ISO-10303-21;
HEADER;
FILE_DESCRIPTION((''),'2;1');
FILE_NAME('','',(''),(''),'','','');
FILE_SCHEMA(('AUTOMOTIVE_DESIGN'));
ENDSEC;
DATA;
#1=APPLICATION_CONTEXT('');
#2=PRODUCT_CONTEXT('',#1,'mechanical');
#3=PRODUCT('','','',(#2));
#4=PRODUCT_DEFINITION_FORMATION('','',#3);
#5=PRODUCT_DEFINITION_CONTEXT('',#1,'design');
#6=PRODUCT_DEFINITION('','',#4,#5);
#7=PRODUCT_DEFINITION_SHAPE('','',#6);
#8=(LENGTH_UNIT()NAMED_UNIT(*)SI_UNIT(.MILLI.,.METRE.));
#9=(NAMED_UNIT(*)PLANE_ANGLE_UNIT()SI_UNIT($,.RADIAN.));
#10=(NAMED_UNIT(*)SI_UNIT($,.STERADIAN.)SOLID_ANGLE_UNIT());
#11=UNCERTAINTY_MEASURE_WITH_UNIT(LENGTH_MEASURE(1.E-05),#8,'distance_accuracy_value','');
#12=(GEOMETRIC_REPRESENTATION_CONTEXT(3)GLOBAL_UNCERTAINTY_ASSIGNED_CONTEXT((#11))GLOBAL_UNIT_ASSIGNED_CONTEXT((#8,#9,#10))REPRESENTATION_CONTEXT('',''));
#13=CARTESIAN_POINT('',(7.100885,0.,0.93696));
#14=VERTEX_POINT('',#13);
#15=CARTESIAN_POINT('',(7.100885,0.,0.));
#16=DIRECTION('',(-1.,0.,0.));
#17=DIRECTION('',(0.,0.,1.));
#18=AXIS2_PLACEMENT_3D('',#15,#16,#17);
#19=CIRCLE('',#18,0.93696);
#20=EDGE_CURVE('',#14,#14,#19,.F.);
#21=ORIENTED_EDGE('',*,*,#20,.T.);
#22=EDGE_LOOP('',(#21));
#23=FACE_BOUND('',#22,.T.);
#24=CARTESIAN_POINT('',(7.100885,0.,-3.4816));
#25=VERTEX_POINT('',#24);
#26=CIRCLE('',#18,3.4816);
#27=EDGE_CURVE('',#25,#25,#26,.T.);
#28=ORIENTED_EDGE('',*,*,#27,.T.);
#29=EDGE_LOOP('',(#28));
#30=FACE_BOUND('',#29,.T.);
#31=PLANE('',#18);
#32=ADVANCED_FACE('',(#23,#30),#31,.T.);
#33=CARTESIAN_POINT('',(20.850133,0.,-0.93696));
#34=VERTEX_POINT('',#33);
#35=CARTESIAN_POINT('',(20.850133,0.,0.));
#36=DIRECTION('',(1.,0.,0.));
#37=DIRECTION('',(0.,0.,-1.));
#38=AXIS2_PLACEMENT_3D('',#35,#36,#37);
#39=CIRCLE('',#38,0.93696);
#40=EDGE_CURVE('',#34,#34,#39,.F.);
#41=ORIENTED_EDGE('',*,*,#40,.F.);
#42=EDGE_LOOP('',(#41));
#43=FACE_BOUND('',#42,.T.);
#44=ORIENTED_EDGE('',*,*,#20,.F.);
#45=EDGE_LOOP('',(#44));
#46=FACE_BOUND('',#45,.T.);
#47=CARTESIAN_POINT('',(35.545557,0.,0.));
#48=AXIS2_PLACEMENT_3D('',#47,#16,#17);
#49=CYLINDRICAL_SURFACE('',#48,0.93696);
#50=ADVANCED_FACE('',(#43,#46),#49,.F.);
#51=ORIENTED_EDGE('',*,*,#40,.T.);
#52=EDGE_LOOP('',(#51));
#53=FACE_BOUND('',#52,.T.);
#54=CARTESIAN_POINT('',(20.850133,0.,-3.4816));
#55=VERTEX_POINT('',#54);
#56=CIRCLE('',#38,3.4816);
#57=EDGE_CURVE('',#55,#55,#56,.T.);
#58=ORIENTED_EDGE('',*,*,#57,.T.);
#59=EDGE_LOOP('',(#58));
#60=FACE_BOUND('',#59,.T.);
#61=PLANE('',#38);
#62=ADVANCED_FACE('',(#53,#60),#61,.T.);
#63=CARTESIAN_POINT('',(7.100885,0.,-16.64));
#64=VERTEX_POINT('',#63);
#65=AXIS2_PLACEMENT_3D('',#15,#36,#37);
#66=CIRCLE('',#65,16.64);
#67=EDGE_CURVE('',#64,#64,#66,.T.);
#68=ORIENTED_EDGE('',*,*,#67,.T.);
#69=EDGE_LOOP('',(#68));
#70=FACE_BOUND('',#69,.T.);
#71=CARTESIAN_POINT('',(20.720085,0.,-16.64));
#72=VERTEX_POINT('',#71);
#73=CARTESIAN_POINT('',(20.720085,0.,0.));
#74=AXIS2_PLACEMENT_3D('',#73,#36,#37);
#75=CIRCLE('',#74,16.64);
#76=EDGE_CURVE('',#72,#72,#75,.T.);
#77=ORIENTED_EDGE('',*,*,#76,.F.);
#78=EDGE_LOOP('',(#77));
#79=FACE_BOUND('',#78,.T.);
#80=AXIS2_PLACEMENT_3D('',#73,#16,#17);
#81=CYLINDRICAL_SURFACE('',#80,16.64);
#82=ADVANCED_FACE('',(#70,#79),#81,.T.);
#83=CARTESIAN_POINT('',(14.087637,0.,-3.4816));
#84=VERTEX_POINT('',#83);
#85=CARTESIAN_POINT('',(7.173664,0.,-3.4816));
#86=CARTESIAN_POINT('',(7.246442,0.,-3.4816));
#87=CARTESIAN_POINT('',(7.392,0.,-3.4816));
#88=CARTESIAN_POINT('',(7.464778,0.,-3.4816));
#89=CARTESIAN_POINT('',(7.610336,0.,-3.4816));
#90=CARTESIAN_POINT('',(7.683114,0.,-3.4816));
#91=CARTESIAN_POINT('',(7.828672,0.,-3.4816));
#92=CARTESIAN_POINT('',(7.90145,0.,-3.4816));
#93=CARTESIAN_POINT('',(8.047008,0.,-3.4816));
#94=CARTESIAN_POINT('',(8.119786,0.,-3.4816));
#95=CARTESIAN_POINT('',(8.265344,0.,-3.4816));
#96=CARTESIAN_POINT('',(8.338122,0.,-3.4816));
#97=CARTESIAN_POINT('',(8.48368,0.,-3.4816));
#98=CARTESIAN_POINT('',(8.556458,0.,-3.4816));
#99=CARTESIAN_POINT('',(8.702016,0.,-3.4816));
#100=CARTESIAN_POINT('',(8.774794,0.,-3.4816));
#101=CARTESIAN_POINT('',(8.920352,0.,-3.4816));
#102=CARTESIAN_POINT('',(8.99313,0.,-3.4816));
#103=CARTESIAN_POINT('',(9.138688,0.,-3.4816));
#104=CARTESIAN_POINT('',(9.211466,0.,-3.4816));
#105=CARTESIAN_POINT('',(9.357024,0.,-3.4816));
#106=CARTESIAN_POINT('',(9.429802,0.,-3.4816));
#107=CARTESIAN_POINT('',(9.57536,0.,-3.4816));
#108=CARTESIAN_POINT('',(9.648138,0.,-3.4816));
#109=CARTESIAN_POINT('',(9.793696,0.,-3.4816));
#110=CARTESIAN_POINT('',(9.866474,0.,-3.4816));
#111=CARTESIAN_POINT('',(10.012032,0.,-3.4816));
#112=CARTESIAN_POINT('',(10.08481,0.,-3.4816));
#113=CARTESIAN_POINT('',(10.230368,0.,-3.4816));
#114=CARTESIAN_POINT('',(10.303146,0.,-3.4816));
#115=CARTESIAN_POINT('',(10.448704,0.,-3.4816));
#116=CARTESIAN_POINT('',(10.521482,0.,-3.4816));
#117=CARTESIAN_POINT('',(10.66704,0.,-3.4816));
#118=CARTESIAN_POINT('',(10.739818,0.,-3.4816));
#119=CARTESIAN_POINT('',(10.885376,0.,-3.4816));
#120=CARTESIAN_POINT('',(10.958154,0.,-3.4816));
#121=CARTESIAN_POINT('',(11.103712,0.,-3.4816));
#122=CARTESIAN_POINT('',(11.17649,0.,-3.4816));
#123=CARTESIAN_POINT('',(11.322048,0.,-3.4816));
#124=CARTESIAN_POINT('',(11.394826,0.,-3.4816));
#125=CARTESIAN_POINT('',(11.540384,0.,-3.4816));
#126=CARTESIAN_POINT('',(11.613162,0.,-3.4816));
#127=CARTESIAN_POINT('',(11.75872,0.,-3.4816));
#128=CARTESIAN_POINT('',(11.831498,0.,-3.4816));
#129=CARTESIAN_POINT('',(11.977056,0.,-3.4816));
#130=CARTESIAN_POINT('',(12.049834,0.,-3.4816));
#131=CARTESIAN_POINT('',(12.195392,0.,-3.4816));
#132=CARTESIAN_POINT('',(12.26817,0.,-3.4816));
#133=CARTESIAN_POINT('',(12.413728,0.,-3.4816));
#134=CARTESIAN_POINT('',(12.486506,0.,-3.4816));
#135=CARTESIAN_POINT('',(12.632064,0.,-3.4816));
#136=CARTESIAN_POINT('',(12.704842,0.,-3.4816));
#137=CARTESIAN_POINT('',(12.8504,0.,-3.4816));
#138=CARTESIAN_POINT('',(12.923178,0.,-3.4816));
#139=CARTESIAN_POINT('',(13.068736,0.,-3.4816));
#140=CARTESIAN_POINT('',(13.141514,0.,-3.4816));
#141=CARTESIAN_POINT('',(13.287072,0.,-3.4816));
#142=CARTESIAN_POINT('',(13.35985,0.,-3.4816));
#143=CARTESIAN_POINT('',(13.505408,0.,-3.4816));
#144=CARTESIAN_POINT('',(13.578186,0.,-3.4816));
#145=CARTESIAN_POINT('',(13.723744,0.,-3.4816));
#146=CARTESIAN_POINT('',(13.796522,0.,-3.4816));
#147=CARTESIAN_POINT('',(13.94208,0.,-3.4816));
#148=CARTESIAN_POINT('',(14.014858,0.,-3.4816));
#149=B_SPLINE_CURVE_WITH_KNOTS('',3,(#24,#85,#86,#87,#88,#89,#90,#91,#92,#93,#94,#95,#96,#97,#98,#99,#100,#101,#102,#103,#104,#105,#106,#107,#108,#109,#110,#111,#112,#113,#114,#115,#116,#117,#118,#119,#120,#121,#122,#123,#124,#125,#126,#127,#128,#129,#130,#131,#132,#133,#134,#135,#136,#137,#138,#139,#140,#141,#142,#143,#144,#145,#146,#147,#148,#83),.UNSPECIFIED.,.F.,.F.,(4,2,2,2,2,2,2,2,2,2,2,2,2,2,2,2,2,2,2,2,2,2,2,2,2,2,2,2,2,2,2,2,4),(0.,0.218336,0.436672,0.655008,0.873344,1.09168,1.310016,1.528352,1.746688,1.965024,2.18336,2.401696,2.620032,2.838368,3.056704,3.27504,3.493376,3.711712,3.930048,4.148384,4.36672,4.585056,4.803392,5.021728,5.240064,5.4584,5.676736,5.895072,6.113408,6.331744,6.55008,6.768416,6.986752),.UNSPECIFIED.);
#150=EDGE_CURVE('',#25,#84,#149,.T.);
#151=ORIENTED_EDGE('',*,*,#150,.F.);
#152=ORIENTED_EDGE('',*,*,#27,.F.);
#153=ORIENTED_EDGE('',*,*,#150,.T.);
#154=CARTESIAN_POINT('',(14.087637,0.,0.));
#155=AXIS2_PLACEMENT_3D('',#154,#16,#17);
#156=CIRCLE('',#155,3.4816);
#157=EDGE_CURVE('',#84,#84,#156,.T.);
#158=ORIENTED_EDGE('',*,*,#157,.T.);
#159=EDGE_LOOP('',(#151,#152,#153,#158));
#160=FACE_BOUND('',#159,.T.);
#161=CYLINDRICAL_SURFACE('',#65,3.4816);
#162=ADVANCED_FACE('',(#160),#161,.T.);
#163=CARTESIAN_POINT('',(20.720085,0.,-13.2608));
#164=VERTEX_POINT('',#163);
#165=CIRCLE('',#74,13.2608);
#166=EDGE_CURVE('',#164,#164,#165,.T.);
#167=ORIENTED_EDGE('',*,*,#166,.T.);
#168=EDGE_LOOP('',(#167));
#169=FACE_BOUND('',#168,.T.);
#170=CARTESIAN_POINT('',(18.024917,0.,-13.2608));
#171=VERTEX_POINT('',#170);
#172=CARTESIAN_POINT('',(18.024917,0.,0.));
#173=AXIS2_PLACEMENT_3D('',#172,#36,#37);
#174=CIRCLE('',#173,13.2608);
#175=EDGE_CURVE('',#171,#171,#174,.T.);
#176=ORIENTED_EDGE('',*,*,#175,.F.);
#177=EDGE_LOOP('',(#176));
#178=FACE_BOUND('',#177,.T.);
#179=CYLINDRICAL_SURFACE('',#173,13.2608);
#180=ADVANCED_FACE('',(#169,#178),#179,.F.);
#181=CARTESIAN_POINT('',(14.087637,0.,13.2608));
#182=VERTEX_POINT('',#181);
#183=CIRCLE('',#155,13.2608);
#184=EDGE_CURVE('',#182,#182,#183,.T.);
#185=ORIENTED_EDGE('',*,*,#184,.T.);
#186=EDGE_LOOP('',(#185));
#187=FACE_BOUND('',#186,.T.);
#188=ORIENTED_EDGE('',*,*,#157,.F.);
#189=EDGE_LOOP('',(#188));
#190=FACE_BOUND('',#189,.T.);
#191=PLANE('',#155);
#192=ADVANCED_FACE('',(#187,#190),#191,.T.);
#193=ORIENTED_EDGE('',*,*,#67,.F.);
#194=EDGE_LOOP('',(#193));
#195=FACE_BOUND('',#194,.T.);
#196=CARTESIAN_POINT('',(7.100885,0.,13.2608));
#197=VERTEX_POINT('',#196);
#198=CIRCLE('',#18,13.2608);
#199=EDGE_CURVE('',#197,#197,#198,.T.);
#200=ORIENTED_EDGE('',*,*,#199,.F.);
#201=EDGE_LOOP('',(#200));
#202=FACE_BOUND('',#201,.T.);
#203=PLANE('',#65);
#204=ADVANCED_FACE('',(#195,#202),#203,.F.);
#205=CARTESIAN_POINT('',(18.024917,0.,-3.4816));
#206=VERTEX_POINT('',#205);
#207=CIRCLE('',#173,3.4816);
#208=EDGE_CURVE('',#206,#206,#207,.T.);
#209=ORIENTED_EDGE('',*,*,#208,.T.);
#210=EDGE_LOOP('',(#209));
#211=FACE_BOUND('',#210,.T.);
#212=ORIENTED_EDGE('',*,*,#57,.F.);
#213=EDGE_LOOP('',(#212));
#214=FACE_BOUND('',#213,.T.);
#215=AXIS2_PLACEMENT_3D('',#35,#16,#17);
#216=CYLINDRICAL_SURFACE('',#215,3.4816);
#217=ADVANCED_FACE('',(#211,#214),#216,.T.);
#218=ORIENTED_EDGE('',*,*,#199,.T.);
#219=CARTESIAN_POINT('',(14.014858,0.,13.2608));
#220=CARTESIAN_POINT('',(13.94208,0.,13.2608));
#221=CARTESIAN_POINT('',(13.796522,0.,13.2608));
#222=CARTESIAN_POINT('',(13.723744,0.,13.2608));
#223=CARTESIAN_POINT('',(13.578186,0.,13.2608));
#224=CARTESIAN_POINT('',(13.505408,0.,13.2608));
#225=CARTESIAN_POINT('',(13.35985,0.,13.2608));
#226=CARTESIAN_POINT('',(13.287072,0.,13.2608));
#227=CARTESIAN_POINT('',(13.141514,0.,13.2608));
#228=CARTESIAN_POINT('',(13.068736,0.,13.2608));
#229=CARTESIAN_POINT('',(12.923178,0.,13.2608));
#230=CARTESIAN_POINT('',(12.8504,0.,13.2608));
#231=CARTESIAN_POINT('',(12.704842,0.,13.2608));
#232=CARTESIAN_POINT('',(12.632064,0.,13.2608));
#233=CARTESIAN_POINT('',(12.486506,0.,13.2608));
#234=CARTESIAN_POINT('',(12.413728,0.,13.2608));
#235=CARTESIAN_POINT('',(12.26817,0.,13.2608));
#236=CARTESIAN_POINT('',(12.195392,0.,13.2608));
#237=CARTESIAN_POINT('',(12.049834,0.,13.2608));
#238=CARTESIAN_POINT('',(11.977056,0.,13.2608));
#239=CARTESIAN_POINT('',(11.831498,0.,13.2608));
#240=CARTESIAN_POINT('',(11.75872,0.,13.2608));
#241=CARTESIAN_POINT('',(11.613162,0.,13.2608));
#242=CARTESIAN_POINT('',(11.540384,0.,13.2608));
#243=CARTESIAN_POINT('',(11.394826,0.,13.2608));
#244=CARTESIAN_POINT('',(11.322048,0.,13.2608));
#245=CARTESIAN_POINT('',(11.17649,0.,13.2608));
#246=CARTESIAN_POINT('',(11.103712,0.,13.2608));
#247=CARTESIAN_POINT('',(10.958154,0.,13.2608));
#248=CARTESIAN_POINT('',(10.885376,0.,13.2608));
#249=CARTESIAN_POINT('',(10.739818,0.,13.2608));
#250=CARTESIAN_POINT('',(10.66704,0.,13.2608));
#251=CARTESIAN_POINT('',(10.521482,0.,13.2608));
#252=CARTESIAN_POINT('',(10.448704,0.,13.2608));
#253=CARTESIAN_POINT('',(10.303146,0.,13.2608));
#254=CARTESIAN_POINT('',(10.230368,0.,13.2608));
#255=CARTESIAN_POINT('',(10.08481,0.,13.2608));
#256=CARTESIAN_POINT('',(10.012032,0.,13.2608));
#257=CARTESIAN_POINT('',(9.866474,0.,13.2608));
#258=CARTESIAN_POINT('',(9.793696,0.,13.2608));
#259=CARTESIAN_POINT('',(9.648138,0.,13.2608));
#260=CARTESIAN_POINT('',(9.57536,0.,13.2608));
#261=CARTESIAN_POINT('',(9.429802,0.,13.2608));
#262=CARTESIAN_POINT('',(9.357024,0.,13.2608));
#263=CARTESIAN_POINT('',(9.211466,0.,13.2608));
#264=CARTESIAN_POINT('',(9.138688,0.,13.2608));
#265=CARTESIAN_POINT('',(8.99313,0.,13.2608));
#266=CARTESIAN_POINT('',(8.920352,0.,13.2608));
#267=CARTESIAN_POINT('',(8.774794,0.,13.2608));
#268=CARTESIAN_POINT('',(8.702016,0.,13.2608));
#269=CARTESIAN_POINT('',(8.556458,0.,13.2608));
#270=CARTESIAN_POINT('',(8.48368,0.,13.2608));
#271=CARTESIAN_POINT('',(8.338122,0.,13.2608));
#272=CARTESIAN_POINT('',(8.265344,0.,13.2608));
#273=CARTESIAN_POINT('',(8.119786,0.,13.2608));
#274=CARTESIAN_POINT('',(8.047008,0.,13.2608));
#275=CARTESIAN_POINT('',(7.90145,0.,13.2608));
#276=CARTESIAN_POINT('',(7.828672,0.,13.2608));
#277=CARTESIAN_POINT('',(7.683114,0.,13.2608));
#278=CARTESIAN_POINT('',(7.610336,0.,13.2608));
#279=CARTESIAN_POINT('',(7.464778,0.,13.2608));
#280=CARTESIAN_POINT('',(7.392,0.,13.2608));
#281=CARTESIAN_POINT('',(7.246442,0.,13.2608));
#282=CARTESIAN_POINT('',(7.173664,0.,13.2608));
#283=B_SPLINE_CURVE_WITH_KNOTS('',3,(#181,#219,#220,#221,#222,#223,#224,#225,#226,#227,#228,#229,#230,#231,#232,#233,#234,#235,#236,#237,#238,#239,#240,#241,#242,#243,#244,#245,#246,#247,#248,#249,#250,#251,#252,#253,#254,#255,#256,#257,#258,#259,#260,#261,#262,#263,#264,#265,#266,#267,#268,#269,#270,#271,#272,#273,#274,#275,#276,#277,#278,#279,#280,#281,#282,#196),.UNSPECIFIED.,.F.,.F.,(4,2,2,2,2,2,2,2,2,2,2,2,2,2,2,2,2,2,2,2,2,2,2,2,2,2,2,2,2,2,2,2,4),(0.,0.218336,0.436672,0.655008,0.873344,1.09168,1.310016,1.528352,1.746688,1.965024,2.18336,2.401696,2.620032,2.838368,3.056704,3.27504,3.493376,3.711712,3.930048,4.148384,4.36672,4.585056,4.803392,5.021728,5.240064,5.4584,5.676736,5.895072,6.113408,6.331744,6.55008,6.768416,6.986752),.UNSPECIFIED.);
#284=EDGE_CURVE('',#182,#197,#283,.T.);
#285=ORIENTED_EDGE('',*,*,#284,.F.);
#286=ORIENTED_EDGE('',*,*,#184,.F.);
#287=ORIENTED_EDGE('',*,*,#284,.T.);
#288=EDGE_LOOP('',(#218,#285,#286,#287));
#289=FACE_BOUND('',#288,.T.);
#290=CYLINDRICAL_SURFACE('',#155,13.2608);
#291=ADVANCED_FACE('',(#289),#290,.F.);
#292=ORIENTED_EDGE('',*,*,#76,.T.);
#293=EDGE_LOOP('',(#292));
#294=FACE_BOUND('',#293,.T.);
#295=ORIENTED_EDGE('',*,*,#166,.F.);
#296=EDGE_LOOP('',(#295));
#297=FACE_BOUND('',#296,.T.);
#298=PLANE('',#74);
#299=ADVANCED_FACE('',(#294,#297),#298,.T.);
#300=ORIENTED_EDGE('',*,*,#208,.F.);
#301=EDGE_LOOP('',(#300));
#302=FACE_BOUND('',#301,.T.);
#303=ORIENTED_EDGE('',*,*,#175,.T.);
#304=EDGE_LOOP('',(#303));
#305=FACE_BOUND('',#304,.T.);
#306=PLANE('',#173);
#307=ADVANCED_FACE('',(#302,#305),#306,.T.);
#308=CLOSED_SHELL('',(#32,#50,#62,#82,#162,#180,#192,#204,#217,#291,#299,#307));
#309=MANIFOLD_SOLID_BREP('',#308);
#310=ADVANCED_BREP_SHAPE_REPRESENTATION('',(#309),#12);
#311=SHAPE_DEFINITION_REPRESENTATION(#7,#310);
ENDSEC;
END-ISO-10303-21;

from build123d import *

# Parameters (mm, degrees)
SKETCH2_R               = 32.5
BOSS_EXTRUDE1_DEPTH     = 26.6
SKETCH3_R               = 25.9
CUT_EXTRUDE2_DEPTH      = 5.264
CUT_EXTRUDE3_START      = -13.646
SKETCH4_R               = 25.9
CUT_EXTRUDE3_DEPTH      = 13.646
SKETCH5_R               = 6.8
BOSS_EXTRUDE2_DEPTH     = 13.646
BOSS_EXTRUDE3_START     = 5.518
SKETCH6_R               = 6.8
BOSS_EXTRUDE3_DEPTH     = 5.518
CUT_EXTRUDE4_DEPTH      = 28.702
CUT_EXTRUDE4_DEPTH_BACK = 38.03
SKETCH7_R               = 1.83
SCALE1_SCALE            = 0.8
SCALE2_SCALE            = 0.8
SCALE3_SCALE            = 0.8


with BuildPart() as part:
    # Sketch2 → Boss-Extrude1 (new body)
    with BuildSketch(Plane(origin=(0, 0, 0), x_dir=(0, 0, -1), z_dir=(1, 0, 0))):
        Circle(SKETCH2_R)
    extrude(amount=BOSS_EXTRUDE1_DEPTH)

    # Sketch3 → Cut-Extrude2 (cut)
    with BuildSketch(Plane(origin=(26.6, 0, 0), x_dir=(0, 0, -1), z_dir=(1, 0, 0))):
        Circle(SKETCH3_R)
    extrude(amount=-CUT_EXTRUDE2_DEPTH, mode=Mode.SUBTRACT)

    # Sketch4 → Cut-Extrude3 (cut)
    with BuildSketch(Plane.ZY.offset(CUT_EXTRUDE3_START)):
        with Locations(Location((0, 0, 0), (0, 0, 180))):
            Circle(SKETCH4_R)
    extrude(amount=CUT_EXTRUDE3_DEPTH, mode=Mode.SUBTRACT)

    # Sketch5 → Boss-Extrude2 (add)
    with BuildSketch(Plane.ZY.offset(-13.646)):
        with Locations(Location((0, 0, 0), (0, 0, 180))):
            Circle(SKETCH5_R)
    extrude(amount=BOSS_EXTRUDE2_DEPTH)

    # Sketch6 → Boss-Extrude3 (add)
    with BuildSketch(Plane(origin=(21.336, 0, 0), x_dir=(0, 0, -1), z_dir=(1, 0, 0)).offset(BOSS_EXTRUDE3_START)):
        Circle(SKETCH6_R)
    extrude(amount=-BOSS_EXTRUDE3_DEPTH)

    # Sketch7 → Cut-Extrude4 (cut, two sides: drawn at the far end of the back side and taken through both)
    with BuildSketch(Plane(origin=(26.854, 0, 0), x_dir=(0, 0, -1), z_dir=(1, 0, 0)).offset(-CUT_EXTRUDE4_DEPTH_BACK)):
        with Locations(Location((0, 0, 0), (0, 0, 180))):
            Circle(SKETCH7_R)
    extrude(amount=CUT_EXTRUDE4_DEPTH + CUT_EXTRUDE4_DEPTH_BACK, mode=Mode.SUBTRACT)


with BuildPart() as part_1:
    # Scale1: scaled about (14.550993836, 0, 0)
    add(part.part.scale(SCALE1_SCALE).moved(Location((2.910198767, 0, 0))))


with BuildPart() as part_2:
    # Scale2: scaled about (14.550993836, 0, 0)
    add(part_1.part.scale(SCALE2_SCALE).moved(Location((2.910198767, 0, 0))))


with BuildPart() as part_3:
    # Scale3: scaled about (14.550993836, 0, 0)
    add(part_2.part.scale(SCALE3_SCALE).moved(Location((2.910198767, 0, 0))))


solid = part_3.part
